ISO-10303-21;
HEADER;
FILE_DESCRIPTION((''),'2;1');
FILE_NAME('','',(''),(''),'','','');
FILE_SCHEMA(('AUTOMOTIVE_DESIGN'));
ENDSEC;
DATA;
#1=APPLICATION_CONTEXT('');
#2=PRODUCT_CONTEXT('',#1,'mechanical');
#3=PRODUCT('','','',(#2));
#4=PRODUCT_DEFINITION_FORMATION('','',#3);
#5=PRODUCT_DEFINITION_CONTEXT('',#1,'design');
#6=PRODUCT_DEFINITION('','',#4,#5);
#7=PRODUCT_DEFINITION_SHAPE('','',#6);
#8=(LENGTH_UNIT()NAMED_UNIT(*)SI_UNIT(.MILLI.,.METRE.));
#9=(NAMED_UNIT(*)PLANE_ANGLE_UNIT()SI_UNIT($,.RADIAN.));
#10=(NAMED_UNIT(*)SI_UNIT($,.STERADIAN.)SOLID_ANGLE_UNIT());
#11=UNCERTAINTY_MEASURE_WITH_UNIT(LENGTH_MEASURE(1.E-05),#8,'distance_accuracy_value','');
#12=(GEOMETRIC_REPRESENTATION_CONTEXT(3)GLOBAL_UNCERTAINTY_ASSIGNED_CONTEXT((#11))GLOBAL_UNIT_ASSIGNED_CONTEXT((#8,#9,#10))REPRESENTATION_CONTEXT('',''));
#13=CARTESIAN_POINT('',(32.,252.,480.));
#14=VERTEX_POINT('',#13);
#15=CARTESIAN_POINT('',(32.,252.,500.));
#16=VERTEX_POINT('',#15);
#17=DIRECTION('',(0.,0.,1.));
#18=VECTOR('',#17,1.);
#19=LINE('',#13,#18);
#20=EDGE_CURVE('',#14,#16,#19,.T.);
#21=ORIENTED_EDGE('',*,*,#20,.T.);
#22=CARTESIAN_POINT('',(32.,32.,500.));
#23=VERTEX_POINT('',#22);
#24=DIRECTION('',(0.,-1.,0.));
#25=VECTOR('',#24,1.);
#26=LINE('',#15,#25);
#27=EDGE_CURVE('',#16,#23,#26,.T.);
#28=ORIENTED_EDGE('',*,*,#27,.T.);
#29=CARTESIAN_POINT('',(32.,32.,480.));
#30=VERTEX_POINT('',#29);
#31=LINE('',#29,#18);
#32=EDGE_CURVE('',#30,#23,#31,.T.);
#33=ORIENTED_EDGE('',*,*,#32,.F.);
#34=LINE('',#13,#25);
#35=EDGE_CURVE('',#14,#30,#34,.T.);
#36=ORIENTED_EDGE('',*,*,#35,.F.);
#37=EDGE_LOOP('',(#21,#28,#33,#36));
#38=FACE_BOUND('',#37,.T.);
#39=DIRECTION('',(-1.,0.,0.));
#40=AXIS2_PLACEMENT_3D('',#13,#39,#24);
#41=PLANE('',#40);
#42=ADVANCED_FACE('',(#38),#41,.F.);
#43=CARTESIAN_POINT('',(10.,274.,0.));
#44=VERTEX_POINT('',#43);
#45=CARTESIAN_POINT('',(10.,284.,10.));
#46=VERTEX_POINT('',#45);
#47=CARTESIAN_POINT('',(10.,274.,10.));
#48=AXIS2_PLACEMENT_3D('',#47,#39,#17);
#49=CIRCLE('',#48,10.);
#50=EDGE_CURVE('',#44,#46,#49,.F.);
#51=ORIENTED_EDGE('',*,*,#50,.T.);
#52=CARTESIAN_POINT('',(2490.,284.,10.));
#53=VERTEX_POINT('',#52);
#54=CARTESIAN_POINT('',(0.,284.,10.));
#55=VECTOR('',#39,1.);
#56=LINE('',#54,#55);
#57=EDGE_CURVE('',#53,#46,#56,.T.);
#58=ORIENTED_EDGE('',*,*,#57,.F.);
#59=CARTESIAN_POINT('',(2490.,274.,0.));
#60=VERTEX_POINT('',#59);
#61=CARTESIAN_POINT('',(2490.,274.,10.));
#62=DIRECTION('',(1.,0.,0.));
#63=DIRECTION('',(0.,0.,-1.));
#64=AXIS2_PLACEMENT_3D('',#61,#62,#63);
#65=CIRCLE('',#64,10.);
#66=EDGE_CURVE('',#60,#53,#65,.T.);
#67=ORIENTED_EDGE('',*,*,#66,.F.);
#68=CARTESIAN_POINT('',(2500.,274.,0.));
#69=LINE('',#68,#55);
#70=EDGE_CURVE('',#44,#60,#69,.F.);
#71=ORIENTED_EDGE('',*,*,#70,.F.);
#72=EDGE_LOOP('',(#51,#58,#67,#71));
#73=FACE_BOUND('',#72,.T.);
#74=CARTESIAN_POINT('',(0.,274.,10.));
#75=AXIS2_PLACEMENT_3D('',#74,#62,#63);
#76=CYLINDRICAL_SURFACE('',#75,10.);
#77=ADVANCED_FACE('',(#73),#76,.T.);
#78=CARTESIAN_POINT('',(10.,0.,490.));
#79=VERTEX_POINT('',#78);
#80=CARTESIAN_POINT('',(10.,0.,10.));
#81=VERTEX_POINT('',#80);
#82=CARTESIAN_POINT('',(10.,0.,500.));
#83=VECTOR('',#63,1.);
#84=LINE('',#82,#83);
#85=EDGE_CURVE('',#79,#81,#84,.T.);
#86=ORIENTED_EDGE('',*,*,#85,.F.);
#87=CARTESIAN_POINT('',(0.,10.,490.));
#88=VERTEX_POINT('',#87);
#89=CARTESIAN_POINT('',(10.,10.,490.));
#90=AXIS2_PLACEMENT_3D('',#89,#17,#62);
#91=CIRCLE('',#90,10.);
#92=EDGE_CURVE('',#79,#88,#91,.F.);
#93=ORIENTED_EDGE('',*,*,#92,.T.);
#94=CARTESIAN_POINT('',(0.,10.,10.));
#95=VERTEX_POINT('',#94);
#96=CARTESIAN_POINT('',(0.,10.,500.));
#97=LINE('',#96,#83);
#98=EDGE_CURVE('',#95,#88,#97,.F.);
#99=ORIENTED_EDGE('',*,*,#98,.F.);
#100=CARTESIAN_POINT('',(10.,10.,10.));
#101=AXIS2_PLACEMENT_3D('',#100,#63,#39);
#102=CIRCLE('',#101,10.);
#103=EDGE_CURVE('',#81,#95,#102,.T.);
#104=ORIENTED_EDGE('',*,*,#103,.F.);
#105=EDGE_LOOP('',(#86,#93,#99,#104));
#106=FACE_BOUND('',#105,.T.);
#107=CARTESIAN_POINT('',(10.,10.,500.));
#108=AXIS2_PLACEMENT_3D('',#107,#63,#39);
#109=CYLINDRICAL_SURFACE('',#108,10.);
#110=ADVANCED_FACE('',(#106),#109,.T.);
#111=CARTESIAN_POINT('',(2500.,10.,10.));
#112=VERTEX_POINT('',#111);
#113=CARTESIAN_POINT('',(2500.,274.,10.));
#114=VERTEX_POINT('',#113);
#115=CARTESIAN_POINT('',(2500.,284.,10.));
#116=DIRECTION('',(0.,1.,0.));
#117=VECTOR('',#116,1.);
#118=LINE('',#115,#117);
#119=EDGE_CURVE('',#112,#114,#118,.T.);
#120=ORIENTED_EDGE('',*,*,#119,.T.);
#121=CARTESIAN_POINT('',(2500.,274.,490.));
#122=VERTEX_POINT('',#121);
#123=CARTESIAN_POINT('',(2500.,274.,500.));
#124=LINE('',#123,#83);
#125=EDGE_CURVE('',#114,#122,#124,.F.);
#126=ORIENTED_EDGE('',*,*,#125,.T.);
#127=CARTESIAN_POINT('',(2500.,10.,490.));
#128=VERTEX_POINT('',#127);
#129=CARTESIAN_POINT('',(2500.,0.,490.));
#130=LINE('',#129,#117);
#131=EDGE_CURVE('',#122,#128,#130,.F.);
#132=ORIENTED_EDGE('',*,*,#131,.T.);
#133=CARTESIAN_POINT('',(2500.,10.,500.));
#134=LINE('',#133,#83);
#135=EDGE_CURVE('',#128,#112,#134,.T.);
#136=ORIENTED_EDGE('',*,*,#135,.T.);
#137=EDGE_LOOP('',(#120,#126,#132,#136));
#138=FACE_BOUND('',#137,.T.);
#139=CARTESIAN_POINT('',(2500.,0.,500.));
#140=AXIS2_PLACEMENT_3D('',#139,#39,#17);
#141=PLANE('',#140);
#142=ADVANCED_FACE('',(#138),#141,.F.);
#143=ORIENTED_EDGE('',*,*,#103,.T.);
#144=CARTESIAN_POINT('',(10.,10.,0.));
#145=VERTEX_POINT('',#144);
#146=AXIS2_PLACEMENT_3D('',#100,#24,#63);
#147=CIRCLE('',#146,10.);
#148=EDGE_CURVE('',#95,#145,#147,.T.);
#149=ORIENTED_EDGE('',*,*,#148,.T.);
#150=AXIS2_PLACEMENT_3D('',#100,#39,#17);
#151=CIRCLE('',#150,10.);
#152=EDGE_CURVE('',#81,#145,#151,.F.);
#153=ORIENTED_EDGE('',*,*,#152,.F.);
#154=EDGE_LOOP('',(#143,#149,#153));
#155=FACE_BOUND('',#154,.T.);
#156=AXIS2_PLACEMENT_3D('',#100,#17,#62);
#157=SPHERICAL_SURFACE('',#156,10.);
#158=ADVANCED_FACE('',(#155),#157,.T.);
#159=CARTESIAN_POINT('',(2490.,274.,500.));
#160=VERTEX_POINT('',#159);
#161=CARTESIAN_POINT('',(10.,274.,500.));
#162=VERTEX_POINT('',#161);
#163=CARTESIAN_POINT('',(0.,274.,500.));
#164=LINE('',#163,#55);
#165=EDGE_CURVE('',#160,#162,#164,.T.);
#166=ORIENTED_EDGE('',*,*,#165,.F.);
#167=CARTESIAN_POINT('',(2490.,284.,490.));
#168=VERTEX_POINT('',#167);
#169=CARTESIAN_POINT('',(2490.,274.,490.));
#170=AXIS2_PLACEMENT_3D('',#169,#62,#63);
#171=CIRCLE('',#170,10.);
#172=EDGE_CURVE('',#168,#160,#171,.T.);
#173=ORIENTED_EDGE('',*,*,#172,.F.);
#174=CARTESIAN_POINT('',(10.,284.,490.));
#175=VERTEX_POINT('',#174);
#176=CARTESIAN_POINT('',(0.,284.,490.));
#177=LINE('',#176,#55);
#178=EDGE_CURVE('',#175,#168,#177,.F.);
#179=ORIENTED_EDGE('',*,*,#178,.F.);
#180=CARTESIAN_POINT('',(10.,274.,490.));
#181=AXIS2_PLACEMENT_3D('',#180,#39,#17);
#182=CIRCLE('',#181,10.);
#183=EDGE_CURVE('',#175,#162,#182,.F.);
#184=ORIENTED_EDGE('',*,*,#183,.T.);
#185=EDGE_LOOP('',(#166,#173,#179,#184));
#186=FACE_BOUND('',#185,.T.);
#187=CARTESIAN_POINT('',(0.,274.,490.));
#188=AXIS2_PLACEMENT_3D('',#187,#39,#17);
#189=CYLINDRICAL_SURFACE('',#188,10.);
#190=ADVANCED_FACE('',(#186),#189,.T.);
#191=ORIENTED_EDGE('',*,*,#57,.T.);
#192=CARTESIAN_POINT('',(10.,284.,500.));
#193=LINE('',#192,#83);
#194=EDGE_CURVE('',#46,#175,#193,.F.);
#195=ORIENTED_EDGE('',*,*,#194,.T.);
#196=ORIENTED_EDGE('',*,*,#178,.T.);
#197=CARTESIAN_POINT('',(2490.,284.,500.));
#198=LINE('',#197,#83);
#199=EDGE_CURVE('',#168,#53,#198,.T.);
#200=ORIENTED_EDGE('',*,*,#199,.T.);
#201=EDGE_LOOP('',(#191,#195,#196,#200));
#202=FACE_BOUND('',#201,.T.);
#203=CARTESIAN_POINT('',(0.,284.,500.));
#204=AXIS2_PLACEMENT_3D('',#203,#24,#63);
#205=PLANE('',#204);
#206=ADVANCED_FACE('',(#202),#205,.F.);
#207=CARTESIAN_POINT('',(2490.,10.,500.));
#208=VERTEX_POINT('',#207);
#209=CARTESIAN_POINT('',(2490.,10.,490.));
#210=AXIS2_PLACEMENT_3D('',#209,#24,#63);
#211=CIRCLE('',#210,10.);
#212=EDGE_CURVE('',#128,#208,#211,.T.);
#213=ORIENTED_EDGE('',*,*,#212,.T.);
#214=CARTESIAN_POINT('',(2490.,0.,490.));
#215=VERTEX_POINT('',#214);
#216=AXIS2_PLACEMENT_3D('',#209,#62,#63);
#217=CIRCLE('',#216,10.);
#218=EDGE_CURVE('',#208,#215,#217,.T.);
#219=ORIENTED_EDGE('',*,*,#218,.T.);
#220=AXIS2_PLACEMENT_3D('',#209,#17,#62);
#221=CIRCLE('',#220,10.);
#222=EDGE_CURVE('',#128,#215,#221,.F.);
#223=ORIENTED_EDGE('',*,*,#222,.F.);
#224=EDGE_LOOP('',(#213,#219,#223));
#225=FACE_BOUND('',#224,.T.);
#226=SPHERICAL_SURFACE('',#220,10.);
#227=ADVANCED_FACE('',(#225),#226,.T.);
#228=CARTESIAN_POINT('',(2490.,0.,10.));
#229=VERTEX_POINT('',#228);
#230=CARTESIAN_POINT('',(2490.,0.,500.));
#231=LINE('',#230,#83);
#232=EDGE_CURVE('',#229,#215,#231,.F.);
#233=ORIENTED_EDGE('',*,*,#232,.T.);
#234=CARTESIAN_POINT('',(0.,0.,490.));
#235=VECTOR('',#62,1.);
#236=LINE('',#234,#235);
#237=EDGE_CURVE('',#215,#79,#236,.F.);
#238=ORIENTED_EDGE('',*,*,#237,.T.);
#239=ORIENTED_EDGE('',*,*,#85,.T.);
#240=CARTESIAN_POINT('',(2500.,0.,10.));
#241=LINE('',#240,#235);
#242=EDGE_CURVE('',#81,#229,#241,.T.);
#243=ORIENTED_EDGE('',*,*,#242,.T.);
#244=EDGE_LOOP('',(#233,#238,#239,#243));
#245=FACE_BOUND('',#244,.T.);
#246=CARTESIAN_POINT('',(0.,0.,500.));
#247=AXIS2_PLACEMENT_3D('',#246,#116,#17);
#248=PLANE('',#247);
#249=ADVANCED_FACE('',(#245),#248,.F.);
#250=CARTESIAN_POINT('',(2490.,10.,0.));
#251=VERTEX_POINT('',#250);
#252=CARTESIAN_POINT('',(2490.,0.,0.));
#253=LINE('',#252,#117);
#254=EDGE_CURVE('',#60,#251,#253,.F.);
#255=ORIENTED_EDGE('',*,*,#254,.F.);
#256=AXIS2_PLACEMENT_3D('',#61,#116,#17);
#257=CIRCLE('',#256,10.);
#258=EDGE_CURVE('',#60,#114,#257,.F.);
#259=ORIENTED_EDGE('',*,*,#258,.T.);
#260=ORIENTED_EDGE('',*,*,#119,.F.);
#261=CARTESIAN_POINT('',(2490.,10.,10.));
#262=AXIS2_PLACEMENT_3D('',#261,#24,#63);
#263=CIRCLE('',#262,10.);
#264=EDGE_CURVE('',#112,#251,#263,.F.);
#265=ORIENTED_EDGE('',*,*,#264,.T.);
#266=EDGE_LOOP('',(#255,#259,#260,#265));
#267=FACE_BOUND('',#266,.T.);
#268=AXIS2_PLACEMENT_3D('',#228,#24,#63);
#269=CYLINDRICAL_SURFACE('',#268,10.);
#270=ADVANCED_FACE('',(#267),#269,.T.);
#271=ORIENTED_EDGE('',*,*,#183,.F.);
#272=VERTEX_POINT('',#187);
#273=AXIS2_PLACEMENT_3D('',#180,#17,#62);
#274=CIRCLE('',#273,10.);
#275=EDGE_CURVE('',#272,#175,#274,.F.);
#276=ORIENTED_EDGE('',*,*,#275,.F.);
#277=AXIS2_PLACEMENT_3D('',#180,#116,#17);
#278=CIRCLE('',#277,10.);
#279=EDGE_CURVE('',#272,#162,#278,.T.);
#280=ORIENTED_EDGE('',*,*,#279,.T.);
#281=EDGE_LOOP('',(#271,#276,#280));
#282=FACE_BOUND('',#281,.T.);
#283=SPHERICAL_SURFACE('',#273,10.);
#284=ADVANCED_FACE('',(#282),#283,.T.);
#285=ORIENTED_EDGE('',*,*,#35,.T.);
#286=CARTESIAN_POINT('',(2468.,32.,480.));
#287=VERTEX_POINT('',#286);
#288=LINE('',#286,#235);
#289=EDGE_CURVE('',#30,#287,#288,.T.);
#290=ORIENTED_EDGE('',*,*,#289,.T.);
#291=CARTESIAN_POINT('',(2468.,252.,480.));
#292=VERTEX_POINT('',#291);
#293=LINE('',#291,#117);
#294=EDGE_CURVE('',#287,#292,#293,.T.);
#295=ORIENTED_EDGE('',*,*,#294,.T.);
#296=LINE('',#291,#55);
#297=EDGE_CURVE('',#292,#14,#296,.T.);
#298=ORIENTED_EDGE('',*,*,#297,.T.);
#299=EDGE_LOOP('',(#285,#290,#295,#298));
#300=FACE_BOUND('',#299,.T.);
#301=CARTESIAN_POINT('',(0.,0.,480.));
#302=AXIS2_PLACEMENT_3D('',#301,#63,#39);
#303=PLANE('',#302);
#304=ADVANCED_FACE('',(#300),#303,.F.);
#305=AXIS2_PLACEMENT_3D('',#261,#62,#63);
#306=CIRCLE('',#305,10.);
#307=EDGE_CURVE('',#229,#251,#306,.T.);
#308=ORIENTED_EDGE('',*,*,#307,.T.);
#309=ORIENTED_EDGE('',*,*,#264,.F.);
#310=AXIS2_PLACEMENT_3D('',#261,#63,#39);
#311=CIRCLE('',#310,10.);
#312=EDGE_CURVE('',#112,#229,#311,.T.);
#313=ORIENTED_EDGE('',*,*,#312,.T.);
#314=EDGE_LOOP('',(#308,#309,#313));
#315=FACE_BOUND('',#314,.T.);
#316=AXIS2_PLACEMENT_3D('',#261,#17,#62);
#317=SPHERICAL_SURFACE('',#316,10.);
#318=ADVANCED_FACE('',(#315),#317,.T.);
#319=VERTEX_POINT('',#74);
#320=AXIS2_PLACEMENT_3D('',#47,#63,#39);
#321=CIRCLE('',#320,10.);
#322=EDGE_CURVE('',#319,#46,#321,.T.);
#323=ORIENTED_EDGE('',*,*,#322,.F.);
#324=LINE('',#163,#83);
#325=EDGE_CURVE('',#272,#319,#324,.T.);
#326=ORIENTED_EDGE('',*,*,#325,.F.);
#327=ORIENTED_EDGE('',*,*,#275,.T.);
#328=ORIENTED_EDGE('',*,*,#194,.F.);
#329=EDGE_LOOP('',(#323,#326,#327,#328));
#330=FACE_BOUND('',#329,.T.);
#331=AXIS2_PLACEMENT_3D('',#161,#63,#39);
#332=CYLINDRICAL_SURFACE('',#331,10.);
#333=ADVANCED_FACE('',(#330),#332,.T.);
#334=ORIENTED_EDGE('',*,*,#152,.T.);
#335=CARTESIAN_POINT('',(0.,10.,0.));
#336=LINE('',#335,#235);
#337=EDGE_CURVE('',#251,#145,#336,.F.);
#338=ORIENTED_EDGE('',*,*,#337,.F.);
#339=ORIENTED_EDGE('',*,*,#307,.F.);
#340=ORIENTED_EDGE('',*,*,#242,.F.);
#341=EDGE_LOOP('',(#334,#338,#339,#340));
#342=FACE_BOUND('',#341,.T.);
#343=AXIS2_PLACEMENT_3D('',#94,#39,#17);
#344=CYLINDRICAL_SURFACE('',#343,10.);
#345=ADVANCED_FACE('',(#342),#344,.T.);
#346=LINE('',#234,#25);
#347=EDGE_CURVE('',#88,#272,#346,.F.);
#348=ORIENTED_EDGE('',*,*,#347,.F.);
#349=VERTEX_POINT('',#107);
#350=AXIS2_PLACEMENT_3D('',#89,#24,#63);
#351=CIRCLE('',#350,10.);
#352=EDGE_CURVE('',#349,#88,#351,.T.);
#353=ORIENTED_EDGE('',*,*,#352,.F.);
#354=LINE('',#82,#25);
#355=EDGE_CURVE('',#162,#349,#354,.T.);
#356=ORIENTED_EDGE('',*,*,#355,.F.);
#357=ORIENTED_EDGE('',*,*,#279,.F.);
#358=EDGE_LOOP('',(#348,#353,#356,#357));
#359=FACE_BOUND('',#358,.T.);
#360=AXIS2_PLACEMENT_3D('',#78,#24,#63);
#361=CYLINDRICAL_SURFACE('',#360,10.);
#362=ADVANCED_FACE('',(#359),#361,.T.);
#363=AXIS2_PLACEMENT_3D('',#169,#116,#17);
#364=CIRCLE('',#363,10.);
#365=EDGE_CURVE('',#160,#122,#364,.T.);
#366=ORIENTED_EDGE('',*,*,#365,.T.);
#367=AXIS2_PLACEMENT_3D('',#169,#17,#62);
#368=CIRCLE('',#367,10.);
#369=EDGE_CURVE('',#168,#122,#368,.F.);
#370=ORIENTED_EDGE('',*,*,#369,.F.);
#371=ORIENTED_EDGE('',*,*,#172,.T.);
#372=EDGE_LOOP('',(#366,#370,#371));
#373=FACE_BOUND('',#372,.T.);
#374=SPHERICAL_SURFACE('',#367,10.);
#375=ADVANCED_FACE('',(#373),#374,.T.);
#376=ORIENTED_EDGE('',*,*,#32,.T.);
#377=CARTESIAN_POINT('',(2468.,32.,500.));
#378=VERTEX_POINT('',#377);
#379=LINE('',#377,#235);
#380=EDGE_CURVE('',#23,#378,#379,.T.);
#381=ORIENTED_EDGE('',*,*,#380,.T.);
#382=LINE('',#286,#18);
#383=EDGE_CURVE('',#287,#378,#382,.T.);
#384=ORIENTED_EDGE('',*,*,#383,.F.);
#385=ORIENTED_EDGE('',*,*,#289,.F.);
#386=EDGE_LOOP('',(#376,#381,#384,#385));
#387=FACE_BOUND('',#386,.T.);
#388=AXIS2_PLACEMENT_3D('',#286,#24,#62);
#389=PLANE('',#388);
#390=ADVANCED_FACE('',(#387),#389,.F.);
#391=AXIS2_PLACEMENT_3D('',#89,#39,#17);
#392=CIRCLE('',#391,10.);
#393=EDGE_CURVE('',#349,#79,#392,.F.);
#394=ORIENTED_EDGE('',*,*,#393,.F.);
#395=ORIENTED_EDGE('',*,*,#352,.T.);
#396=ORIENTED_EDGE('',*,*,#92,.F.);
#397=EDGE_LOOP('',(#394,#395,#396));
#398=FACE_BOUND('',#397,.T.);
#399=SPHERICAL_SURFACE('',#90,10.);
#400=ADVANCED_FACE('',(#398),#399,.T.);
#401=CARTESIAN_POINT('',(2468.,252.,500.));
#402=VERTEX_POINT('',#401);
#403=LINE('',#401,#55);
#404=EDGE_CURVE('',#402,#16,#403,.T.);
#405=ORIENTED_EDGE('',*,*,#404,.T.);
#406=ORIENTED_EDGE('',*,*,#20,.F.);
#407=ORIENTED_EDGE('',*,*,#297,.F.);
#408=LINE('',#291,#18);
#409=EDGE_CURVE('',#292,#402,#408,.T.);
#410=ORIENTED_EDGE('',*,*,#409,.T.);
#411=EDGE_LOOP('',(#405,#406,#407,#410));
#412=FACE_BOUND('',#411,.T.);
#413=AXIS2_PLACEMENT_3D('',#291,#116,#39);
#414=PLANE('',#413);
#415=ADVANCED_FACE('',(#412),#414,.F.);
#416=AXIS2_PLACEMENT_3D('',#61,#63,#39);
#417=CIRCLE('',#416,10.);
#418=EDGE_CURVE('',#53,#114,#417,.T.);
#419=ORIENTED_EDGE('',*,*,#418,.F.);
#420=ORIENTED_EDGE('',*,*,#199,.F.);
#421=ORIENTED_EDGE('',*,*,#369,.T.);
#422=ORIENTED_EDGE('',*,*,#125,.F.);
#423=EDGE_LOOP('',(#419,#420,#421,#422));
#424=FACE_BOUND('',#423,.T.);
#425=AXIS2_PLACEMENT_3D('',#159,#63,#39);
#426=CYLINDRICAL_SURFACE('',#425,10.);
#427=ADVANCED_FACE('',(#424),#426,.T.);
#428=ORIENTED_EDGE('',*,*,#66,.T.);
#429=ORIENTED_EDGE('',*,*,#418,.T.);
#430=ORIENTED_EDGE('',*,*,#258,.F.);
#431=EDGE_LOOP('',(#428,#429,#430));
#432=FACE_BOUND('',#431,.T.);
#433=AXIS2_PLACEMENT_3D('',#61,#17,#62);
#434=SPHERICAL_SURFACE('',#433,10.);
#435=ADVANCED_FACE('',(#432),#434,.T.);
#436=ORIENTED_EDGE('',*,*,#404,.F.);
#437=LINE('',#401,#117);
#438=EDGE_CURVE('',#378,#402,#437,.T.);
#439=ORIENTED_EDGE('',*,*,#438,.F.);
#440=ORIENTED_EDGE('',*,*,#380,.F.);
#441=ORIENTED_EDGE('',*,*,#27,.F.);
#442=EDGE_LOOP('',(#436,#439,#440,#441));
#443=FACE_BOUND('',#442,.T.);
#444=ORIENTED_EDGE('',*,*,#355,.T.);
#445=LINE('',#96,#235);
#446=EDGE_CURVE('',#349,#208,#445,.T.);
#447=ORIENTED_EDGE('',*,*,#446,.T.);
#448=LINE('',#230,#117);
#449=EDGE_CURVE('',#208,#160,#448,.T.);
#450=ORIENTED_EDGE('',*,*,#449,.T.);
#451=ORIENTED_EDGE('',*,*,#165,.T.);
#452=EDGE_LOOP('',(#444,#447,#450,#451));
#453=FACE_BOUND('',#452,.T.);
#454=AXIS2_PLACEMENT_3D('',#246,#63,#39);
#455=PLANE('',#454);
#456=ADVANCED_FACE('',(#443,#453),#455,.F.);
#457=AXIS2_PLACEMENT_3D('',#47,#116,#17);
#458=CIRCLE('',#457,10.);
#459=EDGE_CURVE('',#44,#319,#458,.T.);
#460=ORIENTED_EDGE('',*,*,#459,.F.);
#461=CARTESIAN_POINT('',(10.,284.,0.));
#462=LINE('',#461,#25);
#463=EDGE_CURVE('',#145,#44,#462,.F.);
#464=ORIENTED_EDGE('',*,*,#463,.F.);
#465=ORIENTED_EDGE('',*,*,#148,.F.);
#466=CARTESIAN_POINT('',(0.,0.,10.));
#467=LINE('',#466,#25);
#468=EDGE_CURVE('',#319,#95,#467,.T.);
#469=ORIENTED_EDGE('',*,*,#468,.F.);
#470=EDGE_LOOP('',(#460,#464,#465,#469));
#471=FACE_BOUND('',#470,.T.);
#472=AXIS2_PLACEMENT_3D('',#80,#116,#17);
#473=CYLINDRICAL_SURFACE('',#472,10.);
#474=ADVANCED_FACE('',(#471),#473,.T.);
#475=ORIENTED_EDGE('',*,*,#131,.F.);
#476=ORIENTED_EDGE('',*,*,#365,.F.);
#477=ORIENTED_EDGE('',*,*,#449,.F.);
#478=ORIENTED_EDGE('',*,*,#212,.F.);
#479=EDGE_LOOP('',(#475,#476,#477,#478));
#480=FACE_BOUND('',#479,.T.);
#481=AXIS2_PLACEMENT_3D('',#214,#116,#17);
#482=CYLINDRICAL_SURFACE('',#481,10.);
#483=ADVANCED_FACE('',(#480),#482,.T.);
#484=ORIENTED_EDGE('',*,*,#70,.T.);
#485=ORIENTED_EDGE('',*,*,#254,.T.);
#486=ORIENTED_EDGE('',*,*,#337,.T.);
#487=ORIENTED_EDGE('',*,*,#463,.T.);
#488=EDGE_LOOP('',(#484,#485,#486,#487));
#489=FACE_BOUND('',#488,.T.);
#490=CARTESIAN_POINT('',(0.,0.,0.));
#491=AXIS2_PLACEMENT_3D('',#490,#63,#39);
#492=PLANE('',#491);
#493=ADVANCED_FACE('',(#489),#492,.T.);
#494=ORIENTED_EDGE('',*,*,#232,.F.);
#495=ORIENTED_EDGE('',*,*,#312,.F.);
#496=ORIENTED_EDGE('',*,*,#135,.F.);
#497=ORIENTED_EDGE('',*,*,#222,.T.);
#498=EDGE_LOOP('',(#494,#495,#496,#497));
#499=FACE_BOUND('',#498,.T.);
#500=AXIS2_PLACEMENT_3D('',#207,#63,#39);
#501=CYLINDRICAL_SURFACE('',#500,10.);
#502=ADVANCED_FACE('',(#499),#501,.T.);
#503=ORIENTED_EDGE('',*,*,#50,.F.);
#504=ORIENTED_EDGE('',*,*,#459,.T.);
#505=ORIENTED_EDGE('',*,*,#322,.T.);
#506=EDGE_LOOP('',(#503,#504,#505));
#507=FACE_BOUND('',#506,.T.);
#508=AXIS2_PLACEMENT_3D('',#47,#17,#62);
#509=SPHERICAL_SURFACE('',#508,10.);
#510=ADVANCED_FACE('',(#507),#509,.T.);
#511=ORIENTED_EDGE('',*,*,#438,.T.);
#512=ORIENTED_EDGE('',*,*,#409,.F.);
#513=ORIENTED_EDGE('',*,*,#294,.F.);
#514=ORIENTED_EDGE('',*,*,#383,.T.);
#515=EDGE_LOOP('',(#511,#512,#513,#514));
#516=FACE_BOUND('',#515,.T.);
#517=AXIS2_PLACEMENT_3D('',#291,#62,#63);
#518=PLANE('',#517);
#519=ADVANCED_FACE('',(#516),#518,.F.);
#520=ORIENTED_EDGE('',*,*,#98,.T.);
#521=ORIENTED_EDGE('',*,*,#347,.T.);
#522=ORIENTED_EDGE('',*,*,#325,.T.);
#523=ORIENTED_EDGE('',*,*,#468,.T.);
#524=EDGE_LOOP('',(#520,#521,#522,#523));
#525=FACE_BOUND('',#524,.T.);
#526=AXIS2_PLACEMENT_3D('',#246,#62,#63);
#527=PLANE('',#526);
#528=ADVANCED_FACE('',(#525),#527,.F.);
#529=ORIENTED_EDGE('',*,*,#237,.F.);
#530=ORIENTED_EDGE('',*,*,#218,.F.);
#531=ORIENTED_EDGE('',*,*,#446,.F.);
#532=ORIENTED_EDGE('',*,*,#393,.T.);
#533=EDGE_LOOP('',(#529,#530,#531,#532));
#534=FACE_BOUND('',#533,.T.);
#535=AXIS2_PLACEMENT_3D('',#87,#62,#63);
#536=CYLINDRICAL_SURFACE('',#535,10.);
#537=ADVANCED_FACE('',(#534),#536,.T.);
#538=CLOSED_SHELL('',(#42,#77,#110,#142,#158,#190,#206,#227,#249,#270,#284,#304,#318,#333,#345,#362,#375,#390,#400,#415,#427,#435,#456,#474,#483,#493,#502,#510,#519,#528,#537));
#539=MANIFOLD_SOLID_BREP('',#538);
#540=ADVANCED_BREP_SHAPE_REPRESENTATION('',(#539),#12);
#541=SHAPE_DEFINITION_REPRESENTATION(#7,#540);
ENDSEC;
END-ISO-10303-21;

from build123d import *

# Parameters (mm, degrees)
SKETCH1_W           = 2500
SKETCH1_H           = 284
BOSS_EXTRUDE1_DEPTH = 500
FILLET1_R           = 10
SKETCH2_W           = 2436
SKETCH2_H           = 220
CUT_EXTRUDE1_DEPTH  = 20


with BuildPart() as part:
    # Sketch1 → Boss-Extrude1 (new body)
    with BuildSketch(Plane.XY):
        with Locations((1250, 142)):
            Rectangle(SKETCH1_W, SKETCH1_H)
    extrude(amount=BOSS_EXTRUDE1_DEPTH)

    # Fillet1
    fillet1_edges = [part.edges().sort_by_distance(p)[0] for p in [
        (2500, 142, 500),
        (1250, 284, 500),
        (0, 142, 500),
        (1250, 284, 0),
        (2500, 142, 0),
        (1250, 0, 0),
        (0, 142, 0),
        (0, 284, 250),
        (2500, 284, 250),
        (2500, 0, 250),
        (0, 0, 250),
        (1250, 0, 500),
    ]]
    fillet(fillet1_edges, radius=FILLET1_R)

    # Sketch2 → Cut-Extrude1 (cut)
    with BuildSketch(Plane.XY.offset(500)):
        with Locations((1250, 142)):
            Rectangle(SKETCH2_W, SKETCH2_H)
    extrude(amount=-CUT_EXTRUDE1_DEPTH, mode=Mode.SUBTRACT)


solid = part.part
